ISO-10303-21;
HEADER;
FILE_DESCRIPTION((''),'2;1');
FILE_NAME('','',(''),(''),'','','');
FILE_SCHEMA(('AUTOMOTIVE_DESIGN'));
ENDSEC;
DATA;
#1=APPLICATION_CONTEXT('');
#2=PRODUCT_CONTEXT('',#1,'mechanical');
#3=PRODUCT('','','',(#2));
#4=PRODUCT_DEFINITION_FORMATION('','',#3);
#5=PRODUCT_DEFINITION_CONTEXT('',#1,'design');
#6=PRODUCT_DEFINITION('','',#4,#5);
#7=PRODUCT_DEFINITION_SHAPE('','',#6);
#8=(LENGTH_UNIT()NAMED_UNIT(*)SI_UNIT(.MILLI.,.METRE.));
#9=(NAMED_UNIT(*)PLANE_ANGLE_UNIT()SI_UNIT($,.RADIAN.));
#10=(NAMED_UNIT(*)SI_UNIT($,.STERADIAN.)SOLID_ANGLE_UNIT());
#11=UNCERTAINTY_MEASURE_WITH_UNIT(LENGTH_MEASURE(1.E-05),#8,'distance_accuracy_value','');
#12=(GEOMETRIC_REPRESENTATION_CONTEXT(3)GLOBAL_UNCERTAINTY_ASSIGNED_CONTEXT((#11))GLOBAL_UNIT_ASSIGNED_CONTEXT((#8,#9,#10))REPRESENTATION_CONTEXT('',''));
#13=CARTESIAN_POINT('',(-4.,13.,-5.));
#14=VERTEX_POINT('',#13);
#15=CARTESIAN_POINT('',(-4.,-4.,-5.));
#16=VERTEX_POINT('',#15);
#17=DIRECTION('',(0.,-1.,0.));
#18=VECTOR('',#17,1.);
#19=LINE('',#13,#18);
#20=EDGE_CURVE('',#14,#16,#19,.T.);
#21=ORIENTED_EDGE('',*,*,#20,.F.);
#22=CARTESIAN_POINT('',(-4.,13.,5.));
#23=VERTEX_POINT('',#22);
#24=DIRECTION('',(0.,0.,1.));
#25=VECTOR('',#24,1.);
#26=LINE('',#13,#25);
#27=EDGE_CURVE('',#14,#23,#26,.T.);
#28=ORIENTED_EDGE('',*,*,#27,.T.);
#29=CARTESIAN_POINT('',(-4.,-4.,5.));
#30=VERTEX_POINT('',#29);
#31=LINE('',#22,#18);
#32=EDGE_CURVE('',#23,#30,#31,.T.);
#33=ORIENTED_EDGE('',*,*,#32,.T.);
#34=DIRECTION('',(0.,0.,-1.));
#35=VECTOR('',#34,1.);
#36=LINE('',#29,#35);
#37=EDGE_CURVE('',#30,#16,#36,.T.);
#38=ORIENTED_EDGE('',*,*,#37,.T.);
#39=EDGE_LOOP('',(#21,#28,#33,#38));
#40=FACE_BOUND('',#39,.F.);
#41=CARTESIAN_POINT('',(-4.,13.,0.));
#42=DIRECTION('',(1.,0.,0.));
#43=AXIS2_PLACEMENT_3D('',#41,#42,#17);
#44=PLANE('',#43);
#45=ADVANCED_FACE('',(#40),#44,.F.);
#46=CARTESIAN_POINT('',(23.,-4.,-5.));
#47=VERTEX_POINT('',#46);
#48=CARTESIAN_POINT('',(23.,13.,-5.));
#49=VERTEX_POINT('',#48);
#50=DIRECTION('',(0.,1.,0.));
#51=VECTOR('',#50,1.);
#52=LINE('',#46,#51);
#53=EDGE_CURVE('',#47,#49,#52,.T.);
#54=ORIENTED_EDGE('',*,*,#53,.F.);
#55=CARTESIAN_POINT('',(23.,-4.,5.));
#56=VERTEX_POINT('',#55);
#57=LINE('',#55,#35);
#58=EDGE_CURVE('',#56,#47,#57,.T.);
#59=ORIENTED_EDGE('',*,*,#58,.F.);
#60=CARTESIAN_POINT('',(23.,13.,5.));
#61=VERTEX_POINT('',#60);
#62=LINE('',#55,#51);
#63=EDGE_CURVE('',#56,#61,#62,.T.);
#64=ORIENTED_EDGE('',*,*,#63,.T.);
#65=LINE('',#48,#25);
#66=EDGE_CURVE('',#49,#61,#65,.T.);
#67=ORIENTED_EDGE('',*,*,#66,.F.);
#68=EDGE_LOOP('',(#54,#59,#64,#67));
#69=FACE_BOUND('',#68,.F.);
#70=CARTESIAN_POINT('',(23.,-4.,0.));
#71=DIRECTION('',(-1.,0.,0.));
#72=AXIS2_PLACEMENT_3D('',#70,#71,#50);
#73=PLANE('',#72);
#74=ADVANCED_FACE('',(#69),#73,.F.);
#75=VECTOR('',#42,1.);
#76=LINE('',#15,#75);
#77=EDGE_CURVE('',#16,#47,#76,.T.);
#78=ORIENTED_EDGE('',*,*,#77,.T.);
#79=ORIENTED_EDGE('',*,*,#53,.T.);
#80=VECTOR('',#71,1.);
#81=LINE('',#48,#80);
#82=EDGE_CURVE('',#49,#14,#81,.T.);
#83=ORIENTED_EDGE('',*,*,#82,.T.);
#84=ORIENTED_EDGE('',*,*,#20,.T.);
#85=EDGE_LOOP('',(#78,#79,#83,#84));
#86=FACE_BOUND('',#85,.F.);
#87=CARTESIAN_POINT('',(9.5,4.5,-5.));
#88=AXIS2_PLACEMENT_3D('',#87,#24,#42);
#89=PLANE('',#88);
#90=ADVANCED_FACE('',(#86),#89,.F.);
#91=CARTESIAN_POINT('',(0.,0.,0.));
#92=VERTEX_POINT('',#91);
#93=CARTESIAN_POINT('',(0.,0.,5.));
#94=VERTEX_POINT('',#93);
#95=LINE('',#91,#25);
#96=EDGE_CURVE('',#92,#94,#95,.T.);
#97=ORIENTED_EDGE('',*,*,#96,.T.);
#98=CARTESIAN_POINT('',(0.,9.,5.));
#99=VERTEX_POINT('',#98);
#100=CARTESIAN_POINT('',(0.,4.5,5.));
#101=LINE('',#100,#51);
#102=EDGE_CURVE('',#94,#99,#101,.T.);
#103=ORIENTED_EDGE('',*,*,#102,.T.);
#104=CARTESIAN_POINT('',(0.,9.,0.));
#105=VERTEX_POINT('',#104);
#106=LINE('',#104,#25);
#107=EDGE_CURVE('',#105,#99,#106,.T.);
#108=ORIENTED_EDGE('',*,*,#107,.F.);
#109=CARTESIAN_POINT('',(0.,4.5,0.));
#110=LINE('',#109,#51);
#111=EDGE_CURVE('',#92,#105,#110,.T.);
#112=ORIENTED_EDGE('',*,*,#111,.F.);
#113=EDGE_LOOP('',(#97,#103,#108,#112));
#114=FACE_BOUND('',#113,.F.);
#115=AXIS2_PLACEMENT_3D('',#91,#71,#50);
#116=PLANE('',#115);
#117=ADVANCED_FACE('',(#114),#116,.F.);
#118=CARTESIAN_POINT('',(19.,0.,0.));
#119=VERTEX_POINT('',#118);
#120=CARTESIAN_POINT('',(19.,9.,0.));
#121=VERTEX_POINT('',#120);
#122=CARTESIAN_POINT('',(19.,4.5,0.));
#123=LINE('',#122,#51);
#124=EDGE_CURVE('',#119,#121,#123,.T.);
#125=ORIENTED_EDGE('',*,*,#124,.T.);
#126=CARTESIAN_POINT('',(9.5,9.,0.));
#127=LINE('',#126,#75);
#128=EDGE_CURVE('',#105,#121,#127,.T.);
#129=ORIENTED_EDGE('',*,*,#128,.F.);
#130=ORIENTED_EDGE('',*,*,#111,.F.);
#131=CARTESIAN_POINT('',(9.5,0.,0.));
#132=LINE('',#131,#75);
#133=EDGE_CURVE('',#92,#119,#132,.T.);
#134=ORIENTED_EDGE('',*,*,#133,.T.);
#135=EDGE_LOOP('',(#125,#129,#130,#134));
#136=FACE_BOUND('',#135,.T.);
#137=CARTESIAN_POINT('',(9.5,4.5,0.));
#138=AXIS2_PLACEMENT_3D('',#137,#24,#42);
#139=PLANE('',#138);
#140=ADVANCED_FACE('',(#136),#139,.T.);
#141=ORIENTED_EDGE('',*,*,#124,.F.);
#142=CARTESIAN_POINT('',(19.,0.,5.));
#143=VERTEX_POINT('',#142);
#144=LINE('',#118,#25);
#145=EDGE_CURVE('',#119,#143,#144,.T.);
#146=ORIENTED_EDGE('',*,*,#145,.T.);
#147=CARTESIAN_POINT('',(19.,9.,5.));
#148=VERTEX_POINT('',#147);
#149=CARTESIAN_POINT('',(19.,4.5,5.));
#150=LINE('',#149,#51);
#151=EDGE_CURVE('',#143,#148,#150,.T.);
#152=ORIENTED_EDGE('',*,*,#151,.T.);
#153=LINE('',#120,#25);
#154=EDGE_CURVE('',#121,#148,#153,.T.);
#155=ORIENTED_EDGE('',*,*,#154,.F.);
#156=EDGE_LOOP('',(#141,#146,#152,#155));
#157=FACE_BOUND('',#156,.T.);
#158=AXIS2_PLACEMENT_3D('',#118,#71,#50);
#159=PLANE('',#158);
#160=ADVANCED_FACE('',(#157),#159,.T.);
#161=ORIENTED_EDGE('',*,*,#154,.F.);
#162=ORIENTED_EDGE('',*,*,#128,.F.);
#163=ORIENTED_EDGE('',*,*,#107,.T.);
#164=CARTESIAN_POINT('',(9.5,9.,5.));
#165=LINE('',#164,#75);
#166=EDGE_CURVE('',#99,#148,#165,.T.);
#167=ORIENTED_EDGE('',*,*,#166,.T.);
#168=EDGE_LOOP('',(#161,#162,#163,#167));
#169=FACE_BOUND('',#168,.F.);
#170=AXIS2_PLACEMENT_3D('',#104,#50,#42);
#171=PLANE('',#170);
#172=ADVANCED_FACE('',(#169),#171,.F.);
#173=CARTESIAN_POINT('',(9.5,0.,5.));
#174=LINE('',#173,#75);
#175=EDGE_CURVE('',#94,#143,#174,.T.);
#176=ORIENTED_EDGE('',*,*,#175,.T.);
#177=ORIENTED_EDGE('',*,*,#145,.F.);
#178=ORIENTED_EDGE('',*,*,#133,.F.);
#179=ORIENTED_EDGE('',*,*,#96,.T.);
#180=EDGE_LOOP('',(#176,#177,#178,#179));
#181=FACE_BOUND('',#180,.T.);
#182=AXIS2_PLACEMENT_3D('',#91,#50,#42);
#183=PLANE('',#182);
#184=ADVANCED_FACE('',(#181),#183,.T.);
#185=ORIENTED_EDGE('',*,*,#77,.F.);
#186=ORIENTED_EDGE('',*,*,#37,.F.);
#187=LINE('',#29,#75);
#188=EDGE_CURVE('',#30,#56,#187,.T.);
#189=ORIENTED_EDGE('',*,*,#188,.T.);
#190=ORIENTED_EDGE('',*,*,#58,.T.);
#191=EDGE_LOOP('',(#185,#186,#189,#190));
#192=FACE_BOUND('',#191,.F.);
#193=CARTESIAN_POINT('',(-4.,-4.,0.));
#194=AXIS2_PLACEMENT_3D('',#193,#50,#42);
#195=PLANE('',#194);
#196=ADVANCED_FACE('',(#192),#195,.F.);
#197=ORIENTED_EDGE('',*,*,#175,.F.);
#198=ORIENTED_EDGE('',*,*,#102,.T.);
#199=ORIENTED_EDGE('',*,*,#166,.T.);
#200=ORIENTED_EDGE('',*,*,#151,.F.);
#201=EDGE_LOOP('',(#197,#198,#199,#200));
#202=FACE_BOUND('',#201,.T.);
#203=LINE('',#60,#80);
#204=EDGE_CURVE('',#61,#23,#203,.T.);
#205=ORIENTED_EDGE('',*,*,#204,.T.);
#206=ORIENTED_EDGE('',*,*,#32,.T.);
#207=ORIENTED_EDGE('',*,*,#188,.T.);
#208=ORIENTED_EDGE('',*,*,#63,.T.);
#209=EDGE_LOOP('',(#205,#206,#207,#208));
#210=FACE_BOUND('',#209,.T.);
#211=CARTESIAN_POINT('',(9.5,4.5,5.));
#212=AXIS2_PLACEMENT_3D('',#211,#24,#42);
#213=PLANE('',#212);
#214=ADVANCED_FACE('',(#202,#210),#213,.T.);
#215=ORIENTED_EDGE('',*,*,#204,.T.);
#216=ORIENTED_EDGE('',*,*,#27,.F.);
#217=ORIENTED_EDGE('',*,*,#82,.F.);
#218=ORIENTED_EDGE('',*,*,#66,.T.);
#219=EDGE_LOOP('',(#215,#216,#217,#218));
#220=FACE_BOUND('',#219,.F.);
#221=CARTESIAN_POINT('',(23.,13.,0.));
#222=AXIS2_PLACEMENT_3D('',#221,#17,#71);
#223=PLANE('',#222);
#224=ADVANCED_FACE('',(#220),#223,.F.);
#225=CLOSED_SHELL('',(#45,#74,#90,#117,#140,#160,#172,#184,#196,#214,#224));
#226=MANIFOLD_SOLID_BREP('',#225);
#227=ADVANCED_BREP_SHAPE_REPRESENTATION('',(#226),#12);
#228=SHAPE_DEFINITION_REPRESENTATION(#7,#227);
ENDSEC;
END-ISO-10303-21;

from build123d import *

# Parameters (mm, degrees)
F0_W     = 19
F0_H     = 9
F1_DEPTH = 5
F2_DEPTH = 5


with BuildPart() as f1:
    # F0 (on Top) → F1 (new body)
    with BuildSketch(Plane.XY):
        Polygon((23, -4), (23, 0), (23, 13), (-4, 13), (-4, -4), align=None)
        with Locations((9.5, 4.5)):
            Rectangle(F0_W, F0_H, mode=Mode.SUBTRACT)
        with Locations((9.5, 4.5)):
            Rectangle(F0_W, F0_H)
    extrude(amount=-F1_DEPTH)

    # F0 (on Top) → F2 (join)
    with BuildSketch(Plane.XY):
        Polygon((23, -4), (23, 0), (23, 13), (-4, 13), (-4, -4), align=None)
        with Locations((9.5, 4.5)):
            Rectangle(F0_W, F0_H, mode=Mode.SUBTRACT)
    extrude(amount=F2_DEPTH)


solid = f1.part
